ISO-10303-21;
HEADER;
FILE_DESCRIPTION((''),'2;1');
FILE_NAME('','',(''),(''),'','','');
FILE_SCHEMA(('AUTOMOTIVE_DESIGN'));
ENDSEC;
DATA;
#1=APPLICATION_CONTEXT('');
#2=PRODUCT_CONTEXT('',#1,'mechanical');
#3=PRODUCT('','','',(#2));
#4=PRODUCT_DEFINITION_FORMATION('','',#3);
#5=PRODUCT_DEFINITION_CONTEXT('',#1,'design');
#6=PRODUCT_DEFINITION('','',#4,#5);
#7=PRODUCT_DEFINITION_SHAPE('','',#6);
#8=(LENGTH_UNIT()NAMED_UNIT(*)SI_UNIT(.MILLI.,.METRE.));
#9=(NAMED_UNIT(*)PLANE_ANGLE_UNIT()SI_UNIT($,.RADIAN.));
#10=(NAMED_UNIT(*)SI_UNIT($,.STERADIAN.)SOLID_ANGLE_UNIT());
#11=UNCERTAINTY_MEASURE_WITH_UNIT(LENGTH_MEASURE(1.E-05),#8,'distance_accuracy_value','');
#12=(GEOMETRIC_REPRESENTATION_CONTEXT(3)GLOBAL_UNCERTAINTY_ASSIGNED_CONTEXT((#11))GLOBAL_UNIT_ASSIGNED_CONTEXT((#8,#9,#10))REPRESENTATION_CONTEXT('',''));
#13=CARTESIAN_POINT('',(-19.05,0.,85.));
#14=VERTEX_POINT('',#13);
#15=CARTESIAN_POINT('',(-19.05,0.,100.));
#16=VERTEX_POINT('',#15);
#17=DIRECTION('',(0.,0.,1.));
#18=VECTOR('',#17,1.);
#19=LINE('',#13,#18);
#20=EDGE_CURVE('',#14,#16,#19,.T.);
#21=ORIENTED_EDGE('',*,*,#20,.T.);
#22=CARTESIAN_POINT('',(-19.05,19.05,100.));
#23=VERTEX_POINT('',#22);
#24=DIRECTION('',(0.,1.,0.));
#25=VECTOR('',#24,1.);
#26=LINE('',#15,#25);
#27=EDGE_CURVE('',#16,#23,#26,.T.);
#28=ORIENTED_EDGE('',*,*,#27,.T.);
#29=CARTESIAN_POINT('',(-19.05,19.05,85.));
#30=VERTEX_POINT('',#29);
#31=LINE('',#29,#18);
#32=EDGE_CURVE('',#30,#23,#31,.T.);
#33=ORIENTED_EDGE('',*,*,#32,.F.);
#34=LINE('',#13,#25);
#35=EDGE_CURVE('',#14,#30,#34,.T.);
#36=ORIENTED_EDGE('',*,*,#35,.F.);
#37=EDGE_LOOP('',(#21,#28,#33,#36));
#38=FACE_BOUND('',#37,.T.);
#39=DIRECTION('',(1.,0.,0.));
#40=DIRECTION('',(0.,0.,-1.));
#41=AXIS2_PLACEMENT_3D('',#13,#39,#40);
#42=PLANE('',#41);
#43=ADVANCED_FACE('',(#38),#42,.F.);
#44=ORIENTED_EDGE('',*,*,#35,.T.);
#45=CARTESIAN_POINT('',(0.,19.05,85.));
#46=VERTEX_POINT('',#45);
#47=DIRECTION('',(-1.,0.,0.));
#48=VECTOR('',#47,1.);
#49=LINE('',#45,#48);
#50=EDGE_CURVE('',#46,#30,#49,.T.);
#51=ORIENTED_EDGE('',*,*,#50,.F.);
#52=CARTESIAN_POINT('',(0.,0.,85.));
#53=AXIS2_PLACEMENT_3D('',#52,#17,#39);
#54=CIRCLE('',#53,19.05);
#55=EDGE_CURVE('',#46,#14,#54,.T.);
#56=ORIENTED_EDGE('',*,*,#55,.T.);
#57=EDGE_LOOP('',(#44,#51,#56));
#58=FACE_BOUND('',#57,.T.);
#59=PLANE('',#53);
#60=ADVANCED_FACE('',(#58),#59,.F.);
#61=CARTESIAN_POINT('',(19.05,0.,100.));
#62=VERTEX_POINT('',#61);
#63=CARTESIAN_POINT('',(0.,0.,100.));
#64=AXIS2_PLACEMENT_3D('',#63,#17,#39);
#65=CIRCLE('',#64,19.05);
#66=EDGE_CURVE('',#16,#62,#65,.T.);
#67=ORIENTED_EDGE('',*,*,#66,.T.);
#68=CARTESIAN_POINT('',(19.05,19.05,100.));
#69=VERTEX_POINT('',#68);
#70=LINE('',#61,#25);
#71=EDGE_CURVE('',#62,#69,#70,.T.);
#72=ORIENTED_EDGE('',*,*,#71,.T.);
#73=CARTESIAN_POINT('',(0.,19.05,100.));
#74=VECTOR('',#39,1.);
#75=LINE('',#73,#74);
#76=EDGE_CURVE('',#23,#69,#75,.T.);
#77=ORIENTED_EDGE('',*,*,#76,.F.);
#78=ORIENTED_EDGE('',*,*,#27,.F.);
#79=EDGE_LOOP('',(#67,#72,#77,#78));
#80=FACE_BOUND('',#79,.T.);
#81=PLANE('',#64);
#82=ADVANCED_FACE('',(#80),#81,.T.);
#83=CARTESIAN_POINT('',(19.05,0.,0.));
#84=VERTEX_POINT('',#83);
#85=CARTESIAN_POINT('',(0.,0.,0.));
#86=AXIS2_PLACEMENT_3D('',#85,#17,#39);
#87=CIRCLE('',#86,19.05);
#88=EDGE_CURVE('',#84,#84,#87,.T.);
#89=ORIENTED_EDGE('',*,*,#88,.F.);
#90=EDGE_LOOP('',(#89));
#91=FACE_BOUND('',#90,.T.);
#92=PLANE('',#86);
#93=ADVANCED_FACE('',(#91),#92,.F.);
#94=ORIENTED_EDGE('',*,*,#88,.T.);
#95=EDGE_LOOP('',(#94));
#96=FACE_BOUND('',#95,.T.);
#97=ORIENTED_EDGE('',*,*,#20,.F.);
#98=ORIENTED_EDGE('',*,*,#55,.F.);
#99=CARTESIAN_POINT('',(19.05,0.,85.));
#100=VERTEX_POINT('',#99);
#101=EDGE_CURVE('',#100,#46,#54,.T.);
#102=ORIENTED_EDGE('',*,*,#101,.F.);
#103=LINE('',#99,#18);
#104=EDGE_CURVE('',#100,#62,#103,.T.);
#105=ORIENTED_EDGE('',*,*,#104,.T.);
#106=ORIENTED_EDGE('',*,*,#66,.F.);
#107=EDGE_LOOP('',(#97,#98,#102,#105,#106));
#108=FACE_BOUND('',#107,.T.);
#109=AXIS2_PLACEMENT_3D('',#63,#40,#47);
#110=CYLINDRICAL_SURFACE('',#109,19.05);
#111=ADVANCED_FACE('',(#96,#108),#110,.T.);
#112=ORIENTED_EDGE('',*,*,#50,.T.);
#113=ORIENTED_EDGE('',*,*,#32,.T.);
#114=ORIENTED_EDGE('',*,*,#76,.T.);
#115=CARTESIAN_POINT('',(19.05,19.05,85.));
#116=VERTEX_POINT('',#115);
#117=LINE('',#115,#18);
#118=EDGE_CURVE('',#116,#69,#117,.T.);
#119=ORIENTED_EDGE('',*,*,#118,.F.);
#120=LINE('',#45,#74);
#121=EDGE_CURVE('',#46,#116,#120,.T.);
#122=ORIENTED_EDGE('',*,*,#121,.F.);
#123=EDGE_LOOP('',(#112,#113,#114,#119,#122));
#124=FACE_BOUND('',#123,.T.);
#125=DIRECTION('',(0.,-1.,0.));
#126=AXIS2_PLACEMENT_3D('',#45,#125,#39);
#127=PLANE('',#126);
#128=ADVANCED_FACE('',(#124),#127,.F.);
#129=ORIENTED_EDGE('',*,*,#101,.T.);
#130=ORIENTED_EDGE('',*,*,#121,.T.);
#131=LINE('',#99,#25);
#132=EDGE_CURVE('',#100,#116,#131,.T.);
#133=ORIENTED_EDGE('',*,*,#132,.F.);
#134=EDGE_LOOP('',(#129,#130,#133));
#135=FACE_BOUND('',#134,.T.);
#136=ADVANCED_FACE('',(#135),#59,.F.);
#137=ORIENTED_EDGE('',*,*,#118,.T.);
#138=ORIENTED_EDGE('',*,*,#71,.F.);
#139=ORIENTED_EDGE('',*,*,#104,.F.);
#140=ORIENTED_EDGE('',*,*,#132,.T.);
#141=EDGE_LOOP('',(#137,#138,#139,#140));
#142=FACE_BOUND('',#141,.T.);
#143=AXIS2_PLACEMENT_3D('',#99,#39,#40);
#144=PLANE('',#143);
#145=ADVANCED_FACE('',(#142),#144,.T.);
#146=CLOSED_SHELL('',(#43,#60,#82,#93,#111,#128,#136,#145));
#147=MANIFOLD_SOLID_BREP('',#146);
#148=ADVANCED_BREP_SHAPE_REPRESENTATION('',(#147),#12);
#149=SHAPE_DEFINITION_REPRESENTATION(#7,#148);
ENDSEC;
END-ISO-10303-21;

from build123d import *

# Parameters (mm, degrees)
CROQUIS1_R              = 19.05
SALIENTE_EXTRUIR1_DEPTH = 100
SALIENTE_EXTRUIR2_START = -15
SALIENTE_EXTRUIR2_DEPTH = 15


with BuildPart() as part:
    # Croquis1 → Saliente-Extruir1 (new body)
    with BuildSketch(Plane.XY):
        Circle(CROQUIS1_R)
    extrude(amount=SALIENTE_EXTRUIR1_DEPTH)

    # Croquis2 → Saliente-Extruir2 (add)
    with BuildSketch(Plane.XY.offset(100).offset(SALIENTE_EXTRUIR2_START)):
        with BuildLine():
            Line((19.05, 19.05), (0, 19.05))
            ThreePointArc((0, 19.05), (13.470384182, 13.470384182), (19.05, 0))
            Line((19.05, 0), (19.05, 19.05))
        make_face()
        with BuildLine():
            ThreePointArc((-19.05, 0), (-13.470384182, 13.470384182), (0, 19.05))
            Line((0, 19.05), (-19.05, 19.05))
            Line((-19.05, 19.05), (-19.05, 0))
        make_face()
    extrude(amount=SALIENTE_EXTRUIR2_DEPTH)


solid = part.part
